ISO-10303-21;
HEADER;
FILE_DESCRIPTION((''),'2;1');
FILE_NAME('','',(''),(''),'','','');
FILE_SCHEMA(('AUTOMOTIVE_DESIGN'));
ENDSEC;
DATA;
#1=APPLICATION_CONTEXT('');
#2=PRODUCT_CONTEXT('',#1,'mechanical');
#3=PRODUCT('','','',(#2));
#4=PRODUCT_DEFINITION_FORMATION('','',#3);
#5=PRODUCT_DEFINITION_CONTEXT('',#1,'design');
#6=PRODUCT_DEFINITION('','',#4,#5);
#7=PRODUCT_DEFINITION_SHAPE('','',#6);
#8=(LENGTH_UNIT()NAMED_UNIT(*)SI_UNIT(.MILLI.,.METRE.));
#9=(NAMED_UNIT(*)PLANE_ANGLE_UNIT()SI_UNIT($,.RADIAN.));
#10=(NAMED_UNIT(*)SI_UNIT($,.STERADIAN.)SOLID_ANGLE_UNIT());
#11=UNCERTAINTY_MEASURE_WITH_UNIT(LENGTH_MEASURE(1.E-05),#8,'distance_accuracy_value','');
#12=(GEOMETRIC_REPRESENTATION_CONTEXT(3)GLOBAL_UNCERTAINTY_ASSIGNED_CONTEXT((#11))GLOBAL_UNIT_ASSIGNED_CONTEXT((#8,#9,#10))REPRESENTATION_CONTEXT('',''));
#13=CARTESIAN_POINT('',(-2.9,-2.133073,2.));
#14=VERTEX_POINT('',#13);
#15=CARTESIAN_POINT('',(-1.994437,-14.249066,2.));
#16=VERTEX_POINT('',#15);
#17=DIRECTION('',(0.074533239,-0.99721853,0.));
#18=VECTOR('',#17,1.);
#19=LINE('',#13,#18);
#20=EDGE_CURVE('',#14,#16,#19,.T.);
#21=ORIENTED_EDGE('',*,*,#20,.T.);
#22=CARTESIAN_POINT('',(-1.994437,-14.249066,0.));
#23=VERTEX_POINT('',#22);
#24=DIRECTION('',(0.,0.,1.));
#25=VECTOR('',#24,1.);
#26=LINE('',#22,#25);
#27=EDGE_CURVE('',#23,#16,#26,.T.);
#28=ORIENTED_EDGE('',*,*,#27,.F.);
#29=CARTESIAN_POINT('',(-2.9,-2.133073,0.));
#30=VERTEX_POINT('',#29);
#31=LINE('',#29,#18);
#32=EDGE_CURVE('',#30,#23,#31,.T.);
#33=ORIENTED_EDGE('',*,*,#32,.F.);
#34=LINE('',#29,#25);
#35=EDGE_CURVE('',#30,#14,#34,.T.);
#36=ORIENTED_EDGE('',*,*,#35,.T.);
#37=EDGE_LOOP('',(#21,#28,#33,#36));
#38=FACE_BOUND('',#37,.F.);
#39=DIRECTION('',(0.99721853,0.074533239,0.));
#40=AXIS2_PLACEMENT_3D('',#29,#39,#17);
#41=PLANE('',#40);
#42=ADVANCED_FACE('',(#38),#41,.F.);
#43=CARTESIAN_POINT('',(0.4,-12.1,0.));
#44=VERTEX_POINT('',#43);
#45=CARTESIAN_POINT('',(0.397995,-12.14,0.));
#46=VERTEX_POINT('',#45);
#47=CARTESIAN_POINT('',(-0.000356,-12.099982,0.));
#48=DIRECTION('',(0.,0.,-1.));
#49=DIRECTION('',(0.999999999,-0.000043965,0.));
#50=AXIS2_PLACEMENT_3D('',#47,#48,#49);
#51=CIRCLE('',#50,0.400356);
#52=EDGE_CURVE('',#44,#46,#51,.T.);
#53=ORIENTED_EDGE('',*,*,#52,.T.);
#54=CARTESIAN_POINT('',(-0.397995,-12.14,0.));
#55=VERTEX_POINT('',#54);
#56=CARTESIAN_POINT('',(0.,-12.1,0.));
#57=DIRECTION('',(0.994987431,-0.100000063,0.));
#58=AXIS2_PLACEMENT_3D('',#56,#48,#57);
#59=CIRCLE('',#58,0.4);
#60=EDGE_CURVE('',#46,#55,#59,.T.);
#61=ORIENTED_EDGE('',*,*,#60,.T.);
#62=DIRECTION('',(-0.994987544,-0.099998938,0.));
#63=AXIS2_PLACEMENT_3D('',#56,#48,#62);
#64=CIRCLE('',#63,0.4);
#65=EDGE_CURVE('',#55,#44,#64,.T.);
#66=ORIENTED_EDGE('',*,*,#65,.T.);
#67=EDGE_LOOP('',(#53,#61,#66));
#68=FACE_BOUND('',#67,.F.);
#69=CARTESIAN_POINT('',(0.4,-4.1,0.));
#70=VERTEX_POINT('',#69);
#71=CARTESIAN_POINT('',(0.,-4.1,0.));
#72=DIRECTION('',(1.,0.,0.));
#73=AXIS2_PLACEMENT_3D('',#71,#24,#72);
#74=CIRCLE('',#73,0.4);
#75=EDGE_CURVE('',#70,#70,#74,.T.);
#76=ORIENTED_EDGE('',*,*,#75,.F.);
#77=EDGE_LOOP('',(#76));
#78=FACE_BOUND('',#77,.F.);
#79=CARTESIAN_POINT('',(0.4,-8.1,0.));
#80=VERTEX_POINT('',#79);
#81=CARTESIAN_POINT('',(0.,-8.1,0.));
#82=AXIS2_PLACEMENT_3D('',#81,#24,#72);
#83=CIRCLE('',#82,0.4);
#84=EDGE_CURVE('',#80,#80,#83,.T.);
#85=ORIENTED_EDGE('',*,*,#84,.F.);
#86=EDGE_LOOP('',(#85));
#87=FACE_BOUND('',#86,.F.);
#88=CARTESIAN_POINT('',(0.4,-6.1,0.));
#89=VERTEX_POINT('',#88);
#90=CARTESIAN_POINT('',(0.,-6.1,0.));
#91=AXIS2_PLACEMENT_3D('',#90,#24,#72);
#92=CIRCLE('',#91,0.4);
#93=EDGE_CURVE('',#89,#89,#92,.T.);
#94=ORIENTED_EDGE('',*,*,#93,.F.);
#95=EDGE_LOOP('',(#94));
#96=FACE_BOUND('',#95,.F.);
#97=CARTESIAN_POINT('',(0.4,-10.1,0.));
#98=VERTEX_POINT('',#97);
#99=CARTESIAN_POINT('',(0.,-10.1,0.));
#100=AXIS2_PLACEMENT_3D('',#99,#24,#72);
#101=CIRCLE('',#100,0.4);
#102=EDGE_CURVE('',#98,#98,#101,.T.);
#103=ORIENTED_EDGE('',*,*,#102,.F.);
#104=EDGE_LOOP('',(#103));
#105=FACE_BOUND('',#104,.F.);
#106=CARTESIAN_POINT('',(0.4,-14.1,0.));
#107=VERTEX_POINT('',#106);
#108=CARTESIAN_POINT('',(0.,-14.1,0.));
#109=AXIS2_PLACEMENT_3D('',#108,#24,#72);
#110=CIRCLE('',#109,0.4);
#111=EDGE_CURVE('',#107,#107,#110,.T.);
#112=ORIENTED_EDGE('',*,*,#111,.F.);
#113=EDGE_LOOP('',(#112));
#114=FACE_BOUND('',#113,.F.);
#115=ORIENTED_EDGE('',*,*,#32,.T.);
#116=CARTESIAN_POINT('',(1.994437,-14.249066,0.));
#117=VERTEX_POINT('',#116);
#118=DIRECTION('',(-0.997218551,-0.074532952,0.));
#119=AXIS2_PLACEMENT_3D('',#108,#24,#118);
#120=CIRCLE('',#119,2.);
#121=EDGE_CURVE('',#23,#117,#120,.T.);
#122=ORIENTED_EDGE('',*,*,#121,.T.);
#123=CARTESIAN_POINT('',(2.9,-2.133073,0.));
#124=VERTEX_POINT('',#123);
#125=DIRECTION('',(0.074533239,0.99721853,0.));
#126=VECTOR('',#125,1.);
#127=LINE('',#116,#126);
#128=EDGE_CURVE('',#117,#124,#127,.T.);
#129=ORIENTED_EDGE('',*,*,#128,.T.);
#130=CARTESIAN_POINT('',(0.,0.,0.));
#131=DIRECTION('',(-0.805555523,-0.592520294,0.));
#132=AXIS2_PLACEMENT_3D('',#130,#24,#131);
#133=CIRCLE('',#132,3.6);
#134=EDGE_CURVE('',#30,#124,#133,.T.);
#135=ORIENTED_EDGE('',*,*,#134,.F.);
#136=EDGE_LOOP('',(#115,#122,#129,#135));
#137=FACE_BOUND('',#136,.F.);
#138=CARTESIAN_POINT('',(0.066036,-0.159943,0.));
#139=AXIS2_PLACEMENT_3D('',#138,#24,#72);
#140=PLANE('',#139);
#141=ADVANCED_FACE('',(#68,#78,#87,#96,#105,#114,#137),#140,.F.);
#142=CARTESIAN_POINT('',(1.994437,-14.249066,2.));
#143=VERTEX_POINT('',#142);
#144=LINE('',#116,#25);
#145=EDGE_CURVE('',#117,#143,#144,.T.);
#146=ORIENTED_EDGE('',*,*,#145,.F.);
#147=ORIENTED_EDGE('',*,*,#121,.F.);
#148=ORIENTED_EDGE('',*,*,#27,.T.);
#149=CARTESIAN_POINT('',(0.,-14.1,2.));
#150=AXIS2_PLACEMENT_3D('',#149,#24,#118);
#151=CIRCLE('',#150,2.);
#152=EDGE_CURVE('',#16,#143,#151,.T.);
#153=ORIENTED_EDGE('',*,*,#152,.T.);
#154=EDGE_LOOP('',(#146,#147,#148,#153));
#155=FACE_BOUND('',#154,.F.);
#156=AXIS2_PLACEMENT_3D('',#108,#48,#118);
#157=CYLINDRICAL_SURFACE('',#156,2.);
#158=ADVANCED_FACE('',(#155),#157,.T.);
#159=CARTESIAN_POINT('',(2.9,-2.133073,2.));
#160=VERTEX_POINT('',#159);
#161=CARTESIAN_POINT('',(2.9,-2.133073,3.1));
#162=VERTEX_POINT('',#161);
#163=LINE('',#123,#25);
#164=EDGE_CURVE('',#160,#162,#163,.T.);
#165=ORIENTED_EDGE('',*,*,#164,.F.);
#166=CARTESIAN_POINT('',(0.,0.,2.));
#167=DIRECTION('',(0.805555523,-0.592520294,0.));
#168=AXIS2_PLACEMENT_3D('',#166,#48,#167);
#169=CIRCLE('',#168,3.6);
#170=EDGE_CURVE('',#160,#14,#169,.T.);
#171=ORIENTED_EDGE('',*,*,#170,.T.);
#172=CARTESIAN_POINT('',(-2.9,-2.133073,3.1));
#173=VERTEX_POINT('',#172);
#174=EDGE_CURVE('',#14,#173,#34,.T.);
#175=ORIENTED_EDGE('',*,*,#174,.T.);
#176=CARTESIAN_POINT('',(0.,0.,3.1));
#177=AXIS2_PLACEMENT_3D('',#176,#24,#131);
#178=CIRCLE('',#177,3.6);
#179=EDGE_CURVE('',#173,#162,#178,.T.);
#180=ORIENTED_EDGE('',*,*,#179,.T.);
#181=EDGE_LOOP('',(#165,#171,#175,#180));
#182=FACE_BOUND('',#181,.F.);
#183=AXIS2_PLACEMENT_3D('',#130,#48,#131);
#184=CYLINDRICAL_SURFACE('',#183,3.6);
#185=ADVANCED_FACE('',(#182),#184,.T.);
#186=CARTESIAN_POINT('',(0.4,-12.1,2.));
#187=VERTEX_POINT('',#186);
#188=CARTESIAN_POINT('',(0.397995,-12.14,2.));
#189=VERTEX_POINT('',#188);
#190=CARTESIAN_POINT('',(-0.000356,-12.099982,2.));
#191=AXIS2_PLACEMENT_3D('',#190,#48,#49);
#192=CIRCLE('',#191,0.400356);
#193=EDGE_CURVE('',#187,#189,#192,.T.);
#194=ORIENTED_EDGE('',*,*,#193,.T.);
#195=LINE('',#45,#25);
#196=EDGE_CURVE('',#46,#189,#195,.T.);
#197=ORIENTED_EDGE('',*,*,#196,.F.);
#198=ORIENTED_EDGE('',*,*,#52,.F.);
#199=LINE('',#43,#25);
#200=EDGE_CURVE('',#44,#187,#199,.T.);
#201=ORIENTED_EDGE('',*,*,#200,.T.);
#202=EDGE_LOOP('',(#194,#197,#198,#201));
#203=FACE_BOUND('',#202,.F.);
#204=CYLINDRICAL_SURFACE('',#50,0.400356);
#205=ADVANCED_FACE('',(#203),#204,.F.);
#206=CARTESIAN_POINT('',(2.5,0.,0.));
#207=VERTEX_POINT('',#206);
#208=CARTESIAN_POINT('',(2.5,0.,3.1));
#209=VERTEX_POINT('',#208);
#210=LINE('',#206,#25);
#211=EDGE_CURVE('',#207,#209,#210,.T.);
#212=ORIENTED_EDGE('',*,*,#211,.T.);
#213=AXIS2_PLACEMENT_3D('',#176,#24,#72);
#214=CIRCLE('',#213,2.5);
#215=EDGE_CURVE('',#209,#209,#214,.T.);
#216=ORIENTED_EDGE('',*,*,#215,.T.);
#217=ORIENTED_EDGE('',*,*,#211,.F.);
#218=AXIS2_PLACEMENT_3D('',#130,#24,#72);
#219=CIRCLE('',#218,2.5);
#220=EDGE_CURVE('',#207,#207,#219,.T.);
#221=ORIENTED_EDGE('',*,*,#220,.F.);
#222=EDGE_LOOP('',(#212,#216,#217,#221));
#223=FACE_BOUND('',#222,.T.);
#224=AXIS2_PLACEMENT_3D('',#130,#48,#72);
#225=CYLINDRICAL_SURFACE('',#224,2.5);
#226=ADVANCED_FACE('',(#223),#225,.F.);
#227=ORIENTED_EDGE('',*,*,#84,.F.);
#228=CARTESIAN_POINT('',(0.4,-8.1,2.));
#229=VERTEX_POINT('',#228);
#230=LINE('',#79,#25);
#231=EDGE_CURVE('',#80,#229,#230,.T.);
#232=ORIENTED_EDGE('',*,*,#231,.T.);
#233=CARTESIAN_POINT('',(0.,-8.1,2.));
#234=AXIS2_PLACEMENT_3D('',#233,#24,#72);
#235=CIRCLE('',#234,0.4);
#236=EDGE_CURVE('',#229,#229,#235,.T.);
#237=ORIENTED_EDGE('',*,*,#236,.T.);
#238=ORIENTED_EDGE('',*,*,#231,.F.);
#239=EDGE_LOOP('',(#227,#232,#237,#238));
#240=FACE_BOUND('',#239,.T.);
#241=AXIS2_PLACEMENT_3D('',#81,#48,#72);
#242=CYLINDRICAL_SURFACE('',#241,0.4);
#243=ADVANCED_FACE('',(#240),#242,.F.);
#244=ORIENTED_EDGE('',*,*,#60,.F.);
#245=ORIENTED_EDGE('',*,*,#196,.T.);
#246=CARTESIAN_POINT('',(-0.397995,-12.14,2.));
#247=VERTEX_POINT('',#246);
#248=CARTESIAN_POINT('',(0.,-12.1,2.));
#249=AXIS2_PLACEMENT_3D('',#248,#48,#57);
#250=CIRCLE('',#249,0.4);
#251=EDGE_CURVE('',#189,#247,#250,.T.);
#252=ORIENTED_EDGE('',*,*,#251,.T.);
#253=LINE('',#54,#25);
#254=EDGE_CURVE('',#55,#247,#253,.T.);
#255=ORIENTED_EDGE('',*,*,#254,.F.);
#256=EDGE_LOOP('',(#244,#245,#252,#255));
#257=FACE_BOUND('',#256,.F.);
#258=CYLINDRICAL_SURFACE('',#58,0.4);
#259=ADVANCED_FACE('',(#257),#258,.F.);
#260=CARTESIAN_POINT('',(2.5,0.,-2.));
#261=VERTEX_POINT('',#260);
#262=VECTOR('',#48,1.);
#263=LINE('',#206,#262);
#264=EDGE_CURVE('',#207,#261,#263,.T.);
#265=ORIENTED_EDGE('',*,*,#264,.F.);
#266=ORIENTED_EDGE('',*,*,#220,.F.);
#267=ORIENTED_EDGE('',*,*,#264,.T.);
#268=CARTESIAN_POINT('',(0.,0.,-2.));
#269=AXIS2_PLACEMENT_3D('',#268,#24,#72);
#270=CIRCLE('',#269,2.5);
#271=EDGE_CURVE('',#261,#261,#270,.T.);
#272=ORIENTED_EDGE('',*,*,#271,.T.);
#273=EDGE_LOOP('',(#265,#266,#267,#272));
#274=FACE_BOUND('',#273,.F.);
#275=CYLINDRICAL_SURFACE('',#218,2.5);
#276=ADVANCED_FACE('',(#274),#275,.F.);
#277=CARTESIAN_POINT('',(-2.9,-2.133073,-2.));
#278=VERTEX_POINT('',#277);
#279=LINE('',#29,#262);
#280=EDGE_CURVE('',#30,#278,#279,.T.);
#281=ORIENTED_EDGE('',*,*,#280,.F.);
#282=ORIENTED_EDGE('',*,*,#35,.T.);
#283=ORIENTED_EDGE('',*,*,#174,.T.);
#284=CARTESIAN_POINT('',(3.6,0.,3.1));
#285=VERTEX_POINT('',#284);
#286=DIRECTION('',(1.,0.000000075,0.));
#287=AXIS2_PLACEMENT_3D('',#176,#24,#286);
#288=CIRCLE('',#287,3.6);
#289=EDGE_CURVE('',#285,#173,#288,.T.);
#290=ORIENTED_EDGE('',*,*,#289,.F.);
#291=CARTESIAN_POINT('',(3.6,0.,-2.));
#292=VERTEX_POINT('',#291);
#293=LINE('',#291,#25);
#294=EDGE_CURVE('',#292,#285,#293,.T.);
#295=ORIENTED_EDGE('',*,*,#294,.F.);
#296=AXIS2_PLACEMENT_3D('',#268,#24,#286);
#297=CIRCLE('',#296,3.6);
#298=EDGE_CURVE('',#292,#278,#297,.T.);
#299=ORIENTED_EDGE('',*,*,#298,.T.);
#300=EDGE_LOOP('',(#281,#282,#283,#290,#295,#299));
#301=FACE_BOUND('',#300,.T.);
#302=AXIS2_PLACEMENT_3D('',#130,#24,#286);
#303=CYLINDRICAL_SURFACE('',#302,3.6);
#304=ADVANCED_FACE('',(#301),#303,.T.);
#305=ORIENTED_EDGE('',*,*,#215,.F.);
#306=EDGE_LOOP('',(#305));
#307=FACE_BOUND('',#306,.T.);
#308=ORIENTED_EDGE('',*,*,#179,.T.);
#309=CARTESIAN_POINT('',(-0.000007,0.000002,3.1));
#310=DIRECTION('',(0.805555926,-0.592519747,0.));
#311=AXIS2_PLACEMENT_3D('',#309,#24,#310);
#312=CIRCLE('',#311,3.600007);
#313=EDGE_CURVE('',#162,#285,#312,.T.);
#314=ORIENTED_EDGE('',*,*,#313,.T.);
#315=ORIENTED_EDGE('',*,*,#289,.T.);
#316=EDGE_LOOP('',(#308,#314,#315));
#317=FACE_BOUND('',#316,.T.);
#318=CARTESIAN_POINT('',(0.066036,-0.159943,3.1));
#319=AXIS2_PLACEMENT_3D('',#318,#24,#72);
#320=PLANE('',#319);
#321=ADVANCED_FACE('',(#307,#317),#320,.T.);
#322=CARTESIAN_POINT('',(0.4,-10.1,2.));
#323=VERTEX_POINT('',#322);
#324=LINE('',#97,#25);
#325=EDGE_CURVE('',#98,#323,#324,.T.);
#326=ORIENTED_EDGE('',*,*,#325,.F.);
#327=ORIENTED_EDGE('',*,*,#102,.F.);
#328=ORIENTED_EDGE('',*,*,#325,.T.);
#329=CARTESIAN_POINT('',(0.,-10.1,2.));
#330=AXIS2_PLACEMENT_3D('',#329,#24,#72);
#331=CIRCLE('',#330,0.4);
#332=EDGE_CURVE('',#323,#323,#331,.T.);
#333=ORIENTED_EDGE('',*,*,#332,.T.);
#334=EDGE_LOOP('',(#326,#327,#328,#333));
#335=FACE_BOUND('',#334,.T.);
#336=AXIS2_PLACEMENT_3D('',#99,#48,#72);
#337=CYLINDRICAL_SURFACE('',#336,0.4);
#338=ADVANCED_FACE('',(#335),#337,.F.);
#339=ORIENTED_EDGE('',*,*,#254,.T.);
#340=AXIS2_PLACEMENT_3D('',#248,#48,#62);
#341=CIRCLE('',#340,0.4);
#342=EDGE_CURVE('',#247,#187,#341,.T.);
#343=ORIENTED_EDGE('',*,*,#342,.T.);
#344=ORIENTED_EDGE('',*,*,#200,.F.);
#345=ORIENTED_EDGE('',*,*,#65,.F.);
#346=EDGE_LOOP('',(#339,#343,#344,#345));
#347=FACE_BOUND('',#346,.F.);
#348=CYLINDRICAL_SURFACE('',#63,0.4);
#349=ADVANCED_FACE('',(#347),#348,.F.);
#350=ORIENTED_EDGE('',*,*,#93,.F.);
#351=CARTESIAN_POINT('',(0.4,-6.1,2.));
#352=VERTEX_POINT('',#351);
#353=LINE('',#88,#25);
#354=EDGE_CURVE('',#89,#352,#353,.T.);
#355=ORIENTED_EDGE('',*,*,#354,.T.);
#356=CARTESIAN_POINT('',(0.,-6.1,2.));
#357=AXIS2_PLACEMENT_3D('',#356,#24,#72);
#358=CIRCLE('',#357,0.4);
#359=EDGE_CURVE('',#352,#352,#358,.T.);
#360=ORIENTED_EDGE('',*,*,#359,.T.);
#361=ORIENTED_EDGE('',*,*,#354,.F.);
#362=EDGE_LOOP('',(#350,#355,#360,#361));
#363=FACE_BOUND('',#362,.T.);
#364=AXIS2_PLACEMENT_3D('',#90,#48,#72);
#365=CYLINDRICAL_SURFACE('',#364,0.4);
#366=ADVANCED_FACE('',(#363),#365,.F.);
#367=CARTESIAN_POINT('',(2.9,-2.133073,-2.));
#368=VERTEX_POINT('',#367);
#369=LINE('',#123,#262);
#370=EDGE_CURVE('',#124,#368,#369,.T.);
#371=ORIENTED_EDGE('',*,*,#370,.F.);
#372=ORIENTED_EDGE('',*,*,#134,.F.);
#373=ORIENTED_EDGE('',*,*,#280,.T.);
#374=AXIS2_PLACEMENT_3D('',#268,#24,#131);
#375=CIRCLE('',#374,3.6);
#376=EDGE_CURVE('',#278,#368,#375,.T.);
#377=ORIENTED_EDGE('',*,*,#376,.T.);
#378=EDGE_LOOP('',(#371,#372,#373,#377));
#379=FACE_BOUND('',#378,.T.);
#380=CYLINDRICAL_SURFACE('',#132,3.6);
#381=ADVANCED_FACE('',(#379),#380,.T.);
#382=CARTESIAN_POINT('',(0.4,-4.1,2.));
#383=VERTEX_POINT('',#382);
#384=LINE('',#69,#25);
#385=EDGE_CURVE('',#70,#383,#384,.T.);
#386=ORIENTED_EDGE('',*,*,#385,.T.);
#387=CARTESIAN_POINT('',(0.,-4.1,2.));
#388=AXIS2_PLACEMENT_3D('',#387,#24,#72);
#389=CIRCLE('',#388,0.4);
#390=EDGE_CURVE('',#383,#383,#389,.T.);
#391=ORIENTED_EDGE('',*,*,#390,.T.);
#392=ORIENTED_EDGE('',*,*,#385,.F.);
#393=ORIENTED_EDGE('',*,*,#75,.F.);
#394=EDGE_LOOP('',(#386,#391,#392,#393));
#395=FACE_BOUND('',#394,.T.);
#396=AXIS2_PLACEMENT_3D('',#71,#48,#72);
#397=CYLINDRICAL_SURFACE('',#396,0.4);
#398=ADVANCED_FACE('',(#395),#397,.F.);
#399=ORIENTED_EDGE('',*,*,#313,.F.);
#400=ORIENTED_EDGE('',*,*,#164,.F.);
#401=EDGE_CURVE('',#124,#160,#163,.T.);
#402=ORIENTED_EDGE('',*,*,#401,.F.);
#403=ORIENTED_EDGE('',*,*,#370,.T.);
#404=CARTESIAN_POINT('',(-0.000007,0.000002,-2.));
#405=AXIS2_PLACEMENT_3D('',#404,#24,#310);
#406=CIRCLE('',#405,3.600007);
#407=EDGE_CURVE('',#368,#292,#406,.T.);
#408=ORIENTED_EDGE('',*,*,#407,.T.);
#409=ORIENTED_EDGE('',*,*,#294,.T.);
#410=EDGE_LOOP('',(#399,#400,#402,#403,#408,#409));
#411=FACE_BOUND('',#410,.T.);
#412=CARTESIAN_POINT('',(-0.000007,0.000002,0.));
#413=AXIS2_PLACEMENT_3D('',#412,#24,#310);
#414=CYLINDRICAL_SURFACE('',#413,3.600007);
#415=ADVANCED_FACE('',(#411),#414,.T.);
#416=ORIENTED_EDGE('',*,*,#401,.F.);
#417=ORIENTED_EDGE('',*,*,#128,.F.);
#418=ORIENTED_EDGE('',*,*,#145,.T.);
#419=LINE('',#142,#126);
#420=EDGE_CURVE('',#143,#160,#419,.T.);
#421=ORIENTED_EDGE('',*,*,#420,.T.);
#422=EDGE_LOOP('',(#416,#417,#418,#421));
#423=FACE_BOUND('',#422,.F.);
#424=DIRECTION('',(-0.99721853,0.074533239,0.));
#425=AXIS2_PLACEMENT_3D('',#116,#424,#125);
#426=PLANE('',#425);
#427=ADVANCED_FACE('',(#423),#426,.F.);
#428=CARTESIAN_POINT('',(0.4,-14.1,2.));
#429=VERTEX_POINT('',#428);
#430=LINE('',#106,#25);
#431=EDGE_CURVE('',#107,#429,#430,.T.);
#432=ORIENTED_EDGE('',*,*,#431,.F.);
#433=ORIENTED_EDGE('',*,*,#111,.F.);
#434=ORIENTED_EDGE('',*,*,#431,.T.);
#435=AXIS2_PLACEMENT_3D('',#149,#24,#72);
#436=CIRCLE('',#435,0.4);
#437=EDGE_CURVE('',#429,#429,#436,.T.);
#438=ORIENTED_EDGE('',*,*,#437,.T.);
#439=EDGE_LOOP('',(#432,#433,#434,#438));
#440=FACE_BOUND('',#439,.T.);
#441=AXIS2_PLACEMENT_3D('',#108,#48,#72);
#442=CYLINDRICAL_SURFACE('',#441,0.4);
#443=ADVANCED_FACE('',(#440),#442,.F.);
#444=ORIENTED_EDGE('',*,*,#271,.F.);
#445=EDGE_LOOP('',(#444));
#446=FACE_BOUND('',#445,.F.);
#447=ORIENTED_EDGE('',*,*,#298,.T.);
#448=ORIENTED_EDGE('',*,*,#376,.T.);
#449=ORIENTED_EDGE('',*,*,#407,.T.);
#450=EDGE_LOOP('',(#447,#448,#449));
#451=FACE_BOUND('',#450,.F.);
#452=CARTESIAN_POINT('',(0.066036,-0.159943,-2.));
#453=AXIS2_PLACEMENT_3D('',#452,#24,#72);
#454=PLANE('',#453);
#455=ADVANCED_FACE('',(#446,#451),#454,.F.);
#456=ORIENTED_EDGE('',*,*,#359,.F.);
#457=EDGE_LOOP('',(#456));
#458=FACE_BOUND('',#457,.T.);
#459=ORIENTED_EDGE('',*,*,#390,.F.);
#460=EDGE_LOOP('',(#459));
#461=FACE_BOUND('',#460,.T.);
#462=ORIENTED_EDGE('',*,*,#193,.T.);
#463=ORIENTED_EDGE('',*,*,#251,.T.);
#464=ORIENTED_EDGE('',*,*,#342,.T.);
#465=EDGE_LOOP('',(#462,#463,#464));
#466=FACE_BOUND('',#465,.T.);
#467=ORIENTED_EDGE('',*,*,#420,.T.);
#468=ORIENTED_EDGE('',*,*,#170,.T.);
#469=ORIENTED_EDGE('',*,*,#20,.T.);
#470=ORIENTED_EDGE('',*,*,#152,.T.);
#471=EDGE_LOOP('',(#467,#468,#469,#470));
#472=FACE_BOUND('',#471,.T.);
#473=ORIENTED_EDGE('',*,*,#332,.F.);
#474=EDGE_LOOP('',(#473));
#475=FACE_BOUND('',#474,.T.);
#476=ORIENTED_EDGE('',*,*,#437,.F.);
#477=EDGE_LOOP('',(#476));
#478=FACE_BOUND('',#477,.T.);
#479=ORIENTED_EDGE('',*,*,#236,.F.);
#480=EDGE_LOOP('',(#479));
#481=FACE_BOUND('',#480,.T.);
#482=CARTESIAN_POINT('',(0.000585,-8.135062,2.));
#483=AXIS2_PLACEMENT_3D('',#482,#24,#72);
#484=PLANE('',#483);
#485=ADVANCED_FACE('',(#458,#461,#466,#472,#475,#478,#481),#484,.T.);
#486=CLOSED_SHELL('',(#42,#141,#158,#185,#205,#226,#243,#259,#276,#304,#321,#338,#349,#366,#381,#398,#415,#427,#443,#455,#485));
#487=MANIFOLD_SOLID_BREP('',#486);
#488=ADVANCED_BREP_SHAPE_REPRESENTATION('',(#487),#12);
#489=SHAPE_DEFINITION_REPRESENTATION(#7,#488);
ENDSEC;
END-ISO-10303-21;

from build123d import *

# Parameters (mm, degrees)
F0_R          = 0.4
F1_DEPTH      = 2
F0_R_2        = 2.5
F2_DEPTH      = 3.1
F2_DEPTH_BACK = 2


with BuildPart() as f1:
    # F0 (on Top) → F1 (new body)
    with BuildSketch(Plane.XY):
        with BuildLine():
            ThreePointArc((2.9, -2.133073), (0, -3.6), (-2.9, -2.133073))
            Line((-2.9, -2.133073), (-1.994437, -14.249066))
            ThreePointArc((-1.994437, -14.249066), (-1.59467, -12.892926), (-0.397995, -12.14))
            ThreePointArc((-0.397995, -12.14), (-0.020025, -11.700502), (0.4, -12.1))
            ThreePointArc((0.4, -12.1), (0.399498, -12.120025), (0.397995, -12.14))
            ThreePointArc((0.397995, -12.14), (1.548546, -12.834297), (2, -14.1))
            ThreePointArc((2, -14.1), (1.998609, -14.174585), (1.994437, -14.249066))
            Line((1.994437, -14.249066), (2.9, -2.133073))
        make_face()
        with Locations((0, -10.1)):
            Circle(F0_R, mode=Mode.SUBTRACT)
        with Locations((0, -8.1)):
            Circle(F0_R, mode=Mode.SUBTRACT)
        with Locations((0, -6.1)):
            Circle(F0_R, mode=Mode.SUBTRACT)
        with Locations((0, -4.1)):
            Circle(F0_R, mode=Mode.SUBTRACT)
        with BuildLine():
            ThreePointArc((-0.397995, -12.14), (-1.59467, -12.892926), (-1.994437, -14.249066))
            ThreePointArc((-1.994437, -14.249066), (0, -16.1), (1.994437, -14.249066))
            ThreePointArc((1.994437, -14.249066), (1.998609, -14.174585), (2, -14.1))
            ThreePointArc((2, -14.1), (1.548546, -12.834297), (0.397995, -12.14))
            ThreePointArc((0.397995, -12.14), (0, -12.5), (-0.397995, -12.14))
        make_face()
        with Locations((0, -14.1)):
            Circle(F0_R, mode=Mode.SUBTRACT)
    extrude(amount=F1_DEPTH)

    # F0 (on Top) → F2 (join, two sides)
    with BuildSketch(Plane.XY) as f2_sk:
        with BuildLine():
            ThreePointArc((2.9, -2.133073), (3.420526, -1.122497), (3.6, 0))
            ThreePointArc((3.6, 0), (-1.122497, 3.420526), (-2.9, -2.133073))
            ThreePointArc((-2.9, -2.133073), (0, -3.6), (2.9, -2.133073))
        make_face()
        Circle(F0_R_2, mode=Mode.SUBTRACT)
    extrude(amount=F2_DEPTH)
    extrude(f2_sk.sketch, amount=-F2_DEPTH_BACK)


solid = f1.part
